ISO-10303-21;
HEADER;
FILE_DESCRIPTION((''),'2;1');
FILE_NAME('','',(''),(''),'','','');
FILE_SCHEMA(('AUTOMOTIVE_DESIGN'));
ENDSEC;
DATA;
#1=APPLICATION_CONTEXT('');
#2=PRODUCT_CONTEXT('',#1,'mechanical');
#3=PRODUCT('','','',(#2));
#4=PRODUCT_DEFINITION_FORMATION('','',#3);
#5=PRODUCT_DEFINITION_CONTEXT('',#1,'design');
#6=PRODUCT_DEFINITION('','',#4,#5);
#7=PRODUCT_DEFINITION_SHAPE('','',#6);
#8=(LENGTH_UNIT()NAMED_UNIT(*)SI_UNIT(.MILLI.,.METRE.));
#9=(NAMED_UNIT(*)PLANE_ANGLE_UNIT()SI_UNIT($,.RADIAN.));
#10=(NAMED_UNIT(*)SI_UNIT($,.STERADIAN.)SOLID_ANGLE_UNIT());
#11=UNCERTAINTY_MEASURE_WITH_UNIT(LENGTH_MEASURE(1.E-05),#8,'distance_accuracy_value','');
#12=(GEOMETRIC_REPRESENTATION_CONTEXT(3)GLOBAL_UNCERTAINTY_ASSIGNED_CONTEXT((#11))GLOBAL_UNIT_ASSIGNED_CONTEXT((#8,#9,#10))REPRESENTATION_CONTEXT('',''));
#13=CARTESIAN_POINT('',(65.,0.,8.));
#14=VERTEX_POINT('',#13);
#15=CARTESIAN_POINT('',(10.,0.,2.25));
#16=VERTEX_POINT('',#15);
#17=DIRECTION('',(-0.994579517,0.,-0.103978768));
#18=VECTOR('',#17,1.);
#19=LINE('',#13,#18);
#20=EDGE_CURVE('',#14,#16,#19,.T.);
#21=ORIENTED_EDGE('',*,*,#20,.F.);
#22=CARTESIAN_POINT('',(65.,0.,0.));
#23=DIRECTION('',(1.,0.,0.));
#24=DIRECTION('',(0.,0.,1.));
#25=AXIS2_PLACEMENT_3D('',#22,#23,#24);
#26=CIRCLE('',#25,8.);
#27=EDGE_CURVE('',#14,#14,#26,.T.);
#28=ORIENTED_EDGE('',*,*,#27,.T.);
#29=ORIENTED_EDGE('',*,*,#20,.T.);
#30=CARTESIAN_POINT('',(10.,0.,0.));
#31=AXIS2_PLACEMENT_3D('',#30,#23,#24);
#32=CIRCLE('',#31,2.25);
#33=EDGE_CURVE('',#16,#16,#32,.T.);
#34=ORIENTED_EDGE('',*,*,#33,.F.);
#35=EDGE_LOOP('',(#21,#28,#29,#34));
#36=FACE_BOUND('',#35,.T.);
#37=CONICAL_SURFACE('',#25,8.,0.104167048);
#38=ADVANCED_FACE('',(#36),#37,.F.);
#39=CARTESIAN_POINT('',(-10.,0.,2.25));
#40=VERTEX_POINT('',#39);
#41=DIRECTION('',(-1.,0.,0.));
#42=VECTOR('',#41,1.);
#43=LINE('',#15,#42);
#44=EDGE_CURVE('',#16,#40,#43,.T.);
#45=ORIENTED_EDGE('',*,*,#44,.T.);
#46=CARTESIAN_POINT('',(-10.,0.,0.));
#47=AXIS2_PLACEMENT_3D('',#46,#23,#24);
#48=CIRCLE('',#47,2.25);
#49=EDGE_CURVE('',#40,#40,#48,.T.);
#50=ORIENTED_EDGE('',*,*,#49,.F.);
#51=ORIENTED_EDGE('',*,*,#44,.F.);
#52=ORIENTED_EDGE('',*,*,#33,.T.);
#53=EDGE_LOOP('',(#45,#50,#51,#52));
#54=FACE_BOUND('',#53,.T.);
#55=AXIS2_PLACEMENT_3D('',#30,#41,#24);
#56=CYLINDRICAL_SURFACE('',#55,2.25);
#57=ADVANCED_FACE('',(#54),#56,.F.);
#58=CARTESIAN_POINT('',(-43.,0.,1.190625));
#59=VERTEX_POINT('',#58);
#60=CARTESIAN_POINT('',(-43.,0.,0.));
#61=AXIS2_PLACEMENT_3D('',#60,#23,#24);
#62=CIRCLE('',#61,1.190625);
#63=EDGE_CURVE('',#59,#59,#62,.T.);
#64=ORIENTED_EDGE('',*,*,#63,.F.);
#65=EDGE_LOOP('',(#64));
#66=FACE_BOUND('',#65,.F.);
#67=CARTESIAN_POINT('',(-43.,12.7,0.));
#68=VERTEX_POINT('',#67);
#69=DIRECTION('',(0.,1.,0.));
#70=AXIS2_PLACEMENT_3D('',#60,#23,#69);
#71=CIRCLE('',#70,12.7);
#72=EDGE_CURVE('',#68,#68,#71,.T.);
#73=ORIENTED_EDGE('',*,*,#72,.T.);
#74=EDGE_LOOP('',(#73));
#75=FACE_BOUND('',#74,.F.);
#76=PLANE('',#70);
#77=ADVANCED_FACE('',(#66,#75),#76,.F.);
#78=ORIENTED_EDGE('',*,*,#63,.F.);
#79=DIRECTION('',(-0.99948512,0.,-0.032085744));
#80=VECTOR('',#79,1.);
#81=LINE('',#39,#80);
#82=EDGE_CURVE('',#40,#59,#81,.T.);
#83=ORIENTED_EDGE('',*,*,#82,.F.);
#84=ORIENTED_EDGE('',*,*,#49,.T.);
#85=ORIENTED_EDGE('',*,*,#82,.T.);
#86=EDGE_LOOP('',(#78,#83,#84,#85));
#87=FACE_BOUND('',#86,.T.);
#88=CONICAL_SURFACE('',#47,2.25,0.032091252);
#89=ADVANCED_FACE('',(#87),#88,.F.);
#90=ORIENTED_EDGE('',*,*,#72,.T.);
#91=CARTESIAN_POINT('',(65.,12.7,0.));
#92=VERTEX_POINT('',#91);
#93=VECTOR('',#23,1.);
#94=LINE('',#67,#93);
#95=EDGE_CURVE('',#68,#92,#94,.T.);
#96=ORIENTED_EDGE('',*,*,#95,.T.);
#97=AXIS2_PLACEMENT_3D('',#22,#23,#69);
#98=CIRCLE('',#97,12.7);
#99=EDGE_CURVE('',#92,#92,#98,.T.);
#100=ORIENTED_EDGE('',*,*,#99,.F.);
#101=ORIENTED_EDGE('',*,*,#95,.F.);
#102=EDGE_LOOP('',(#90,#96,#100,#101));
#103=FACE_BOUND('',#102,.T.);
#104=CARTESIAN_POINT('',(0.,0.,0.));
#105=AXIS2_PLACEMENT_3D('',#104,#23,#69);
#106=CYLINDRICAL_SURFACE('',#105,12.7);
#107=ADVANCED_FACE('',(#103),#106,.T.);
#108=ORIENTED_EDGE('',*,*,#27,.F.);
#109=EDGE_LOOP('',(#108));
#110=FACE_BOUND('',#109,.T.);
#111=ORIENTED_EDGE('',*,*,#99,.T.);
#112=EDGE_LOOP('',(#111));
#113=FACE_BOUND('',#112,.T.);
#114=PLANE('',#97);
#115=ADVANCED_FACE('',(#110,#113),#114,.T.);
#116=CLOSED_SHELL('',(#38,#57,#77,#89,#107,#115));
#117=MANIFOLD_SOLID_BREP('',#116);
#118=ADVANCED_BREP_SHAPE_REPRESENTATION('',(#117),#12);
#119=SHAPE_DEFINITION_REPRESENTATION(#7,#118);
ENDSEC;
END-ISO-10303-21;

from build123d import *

# Parameters (mm, degrees)
F0_R          = 12.7
F2_DEPTH      = 65
F2_DEPTH_BACK = 43


with BuildPart() as f2:
    # F0 (on Right) → F2 (new body, two sides)
    with BuildSketch(Plane.YZ) as f2_sk:
        Circle(F0_R)
    extrude(amount=F2_DEPTH)
    extrude(f2_sk.sketch, amount=-F2_DEPTH_BACK)

    # F1 (on Front) → F3 (revolve, cut)
    with BuildSketch(Plane.XZ):
        Polygon((-43, 0), (0, 0), (65, 0), (65, 8), (10, 2.25), (0, 2.25), (-10, 2.25), (-43, 1.190625), align=None)
    revolve(axis=Axis((-21.5, 0, 0), (1, 0, 0)), mode=Mode.SUBTRACT)


solid = f2.part
